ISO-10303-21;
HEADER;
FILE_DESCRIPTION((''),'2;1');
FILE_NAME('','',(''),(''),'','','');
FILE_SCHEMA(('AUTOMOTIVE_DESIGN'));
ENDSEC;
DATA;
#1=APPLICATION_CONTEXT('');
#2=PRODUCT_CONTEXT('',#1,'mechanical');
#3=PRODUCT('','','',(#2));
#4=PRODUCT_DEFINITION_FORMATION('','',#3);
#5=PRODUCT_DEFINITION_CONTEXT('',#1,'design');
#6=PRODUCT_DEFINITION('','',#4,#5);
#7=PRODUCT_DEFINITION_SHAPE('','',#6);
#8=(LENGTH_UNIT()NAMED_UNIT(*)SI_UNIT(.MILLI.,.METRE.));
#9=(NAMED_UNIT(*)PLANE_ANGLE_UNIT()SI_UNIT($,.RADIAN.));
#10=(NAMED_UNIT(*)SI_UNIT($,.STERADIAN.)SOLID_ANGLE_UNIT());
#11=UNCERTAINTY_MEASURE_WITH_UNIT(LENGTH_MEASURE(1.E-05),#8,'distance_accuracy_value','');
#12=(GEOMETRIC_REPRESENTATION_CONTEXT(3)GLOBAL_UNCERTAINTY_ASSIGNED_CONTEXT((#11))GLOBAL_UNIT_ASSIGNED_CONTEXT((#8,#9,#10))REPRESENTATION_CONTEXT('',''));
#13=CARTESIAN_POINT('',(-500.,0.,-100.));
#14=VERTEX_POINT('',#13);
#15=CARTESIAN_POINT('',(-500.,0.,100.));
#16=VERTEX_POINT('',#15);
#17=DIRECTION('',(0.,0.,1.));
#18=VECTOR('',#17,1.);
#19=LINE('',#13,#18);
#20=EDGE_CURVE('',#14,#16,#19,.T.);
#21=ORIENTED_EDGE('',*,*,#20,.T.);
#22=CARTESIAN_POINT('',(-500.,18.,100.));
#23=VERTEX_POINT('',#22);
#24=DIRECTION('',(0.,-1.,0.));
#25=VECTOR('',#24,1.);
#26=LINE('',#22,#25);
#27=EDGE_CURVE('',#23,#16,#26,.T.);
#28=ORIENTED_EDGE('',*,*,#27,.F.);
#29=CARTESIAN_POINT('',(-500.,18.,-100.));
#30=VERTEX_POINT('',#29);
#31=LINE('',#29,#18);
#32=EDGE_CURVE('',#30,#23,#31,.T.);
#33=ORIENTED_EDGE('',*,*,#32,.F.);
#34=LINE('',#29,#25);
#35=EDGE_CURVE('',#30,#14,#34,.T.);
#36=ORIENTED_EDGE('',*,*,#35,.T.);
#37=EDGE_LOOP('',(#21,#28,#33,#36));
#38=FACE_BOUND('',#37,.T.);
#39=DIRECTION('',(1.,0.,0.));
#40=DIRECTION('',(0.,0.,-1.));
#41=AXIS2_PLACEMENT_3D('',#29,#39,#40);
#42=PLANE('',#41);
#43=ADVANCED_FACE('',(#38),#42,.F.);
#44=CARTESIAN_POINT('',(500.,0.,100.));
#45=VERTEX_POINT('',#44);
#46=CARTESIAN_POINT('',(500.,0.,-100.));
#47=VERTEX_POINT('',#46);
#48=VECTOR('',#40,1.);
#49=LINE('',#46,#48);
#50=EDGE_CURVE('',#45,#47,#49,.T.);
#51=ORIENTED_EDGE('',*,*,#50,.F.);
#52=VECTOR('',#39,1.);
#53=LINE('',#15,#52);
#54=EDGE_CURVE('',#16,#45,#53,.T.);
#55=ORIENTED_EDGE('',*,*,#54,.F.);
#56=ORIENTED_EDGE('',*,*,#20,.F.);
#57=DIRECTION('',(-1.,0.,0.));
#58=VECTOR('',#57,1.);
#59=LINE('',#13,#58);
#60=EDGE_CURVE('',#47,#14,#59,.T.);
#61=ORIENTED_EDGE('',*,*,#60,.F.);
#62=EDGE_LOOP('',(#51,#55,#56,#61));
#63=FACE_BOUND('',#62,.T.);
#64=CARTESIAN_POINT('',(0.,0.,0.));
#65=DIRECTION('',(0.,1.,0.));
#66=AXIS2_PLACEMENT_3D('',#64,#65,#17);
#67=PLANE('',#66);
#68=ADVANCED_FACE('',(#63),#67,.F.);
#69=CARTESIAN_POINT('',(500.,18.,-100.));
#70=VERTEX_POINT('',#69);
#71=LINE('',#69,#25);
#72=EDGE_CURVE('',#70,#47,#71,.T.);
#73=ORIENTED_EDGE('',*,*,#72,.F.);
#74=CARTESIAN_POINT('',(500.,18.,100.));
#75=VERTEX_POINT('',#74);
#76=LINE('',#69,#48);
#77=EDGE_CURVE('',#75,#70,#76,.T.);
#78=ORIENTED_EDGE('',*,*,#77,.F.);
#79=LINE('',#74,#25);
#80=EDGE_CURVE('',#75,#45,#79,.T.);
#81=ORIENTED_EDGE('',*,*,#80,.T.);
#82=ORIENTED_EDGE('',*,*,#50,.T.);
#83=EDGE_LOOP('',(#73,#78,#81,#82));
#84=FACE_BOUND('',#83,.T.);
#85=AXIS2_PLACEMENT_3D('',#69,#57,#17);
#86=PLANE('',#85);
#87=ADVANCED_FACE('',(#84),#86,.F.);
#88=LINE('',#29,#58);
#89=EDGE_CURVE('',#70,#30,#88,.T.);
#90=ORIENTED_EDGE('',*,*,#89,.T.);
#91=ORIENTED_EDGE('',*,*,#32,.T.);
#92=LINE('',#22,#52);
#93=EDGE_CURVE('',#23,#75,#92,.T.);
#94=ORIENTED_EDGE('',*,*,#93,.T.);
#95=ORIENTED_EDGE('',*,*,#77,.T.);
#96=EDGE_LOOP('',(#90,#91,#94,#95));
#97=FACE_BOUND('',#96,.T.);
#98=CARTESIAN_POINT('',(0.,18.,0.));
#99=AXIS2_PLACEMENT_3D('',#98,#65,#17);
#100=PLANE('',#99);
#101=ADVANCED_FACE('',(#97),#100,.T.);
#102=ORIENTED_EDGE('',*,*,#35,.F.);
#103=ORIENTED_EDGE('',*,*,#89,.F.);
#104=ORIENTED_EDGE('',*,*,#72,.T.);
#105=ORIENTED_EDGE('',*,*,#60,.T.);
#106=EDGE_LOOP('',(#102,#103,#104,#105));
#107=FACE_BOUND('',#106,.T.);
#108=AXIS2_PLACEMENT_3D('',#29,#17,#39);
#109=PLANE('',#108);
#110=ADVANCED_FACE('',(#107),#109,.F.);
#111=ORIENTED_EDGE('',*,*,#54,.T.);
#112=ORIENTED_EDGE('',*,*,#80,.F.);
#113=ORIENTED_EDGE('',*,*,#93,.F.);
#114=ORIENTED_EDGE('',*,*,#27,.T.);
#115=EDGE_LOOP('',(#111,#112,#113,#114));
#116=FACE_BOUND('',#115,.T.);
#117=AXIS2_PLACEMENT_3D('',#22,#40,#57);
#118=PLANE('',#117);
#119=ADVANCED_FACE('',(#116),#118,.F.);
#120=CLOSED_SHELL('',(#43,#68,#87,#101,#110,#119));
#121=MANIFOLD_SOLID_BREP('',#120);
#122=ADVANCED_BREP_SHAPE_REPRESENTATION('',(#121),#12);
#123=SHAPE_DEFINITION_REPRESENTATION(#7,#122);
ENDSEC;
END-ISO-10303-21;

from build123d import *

# Parameters (mm, degrees)
ESQUISSE1_W        = 1000
ESQUISSE1_H        = 200
BOSS_EXTRU_1_DEPTH = 18


with BuildPart() as part:
    # Esquisse1 → Boss.-Extru.1 (new body)
    with BuildSketch(Plane(origin=(0, 0, 0), x_dir=(1, 0, 0), z_dir=(0, 1, 0))):
        Rectangle(ESQUISSE1_W, ESQUISSE1_H)
    extrude(amount=BOSS_EXTRU_1_DEPTH)


solid = part.part
